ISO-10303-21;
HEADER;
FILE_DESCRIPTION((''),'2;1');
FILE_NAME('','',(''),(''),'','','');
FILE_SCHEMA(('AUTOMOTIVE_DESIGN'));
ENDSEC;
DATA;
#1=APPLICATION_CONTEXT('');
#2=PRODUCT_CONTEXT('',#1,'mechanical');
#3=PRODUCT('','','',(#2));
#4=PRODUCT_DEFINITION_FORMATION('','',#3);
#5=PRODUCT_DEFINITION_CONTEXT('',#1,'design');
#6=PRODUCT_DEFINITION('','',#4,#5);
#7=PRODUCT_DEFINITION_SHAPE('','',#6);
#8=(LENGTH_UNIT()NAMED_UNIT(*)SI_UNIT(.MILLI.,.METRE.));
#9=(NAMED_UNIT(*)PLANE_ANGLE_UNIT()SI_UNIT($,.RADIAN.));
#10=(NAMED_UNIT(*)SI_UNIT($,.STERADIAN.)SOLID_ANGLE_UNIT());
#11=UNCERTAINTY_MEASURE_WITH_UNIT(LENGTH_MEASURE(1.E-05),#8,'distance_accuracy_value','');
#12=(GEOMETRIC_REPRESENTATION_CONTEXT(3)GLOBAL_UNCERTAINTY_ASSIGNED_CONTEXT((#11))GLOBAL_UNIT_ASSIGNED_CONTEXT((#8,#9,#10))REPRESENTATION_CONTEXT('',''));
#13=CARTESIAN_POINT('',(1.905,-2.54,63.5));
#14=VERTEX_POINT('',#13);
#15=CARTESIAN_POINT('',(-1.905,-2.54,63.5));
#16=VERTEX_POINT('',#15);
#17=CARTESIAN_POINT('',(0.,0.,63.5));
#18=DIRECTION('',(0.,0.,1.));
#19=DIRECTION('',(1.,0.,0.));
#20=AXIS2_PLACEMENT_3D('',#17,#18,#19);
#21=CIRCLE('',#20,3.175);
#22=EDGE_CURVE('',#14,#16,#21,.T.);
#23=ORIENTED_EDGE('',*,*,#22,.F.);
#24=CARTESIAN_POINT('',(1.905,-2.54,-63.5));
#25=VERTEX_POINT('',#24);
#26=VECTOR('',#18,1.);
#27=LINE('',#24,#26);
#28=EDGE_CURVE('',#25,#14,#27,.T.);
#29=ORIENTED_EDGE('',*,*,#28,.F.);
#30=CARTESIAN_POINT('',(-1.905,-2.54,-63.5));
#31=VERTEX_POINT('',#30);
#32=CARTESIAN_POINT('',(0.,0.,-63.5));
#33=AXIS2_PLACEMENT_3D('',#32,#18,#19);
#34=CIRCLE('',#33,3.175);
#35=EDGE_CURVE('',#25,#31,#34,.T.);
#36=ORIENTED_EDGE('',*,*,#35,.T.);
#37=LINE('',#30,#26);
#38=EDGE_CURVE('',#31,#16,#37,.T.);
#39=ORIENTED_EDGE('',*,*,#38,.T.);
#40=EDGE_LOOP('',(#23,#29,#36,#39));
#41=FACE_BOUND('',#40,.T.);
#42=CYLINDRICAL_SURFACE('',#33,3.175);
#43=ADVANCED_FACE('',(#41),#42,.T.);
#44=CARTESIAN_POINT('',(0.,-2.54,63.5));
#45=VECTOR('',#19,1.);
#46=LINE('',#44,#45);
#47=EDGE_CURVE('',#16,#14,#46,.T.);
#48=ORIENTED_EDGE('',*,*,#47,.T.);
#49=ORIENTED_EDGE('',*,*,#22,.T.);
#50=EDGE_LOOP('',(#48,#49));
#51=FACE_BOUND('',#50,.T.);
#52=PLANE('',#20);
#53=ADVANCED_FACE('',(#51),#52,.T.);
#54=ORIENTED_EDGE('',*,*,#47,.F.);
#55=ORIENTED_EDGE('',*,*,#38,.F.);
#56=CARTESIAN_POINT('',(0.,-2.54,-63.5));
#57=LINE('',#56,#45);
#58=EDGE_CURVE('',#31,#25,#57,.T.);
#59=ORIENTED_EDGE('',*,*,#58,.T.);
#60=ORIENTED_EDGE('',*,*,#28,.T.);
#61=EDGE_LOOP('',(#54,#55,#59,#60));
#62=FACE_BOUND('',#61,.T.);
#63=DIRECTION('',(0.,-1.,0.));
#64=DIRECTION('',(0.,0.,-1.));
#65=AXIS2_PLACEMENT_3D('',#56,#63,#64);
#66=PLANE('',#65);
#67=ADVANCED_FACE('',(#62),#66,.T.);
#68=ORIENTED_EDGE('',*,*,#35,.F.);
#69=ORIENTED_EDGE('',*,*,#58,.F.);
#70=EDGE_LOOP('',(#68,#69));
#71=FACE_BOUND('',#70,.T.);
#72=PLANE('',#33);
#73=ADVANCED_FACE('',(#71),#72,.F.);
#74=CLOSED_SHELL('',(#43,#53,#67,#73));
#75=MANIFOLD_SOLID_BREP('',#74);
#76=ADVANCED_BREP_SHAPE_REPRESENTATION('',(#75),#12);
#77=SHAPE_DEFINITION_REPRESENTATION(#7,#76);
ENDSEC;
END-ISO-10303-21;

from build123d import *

# Parameters (mm, degrees)
BOSS_EXTRUDE1_DEPTH      = 63.5
BOSS_EXTRUDE1_DEPTH_BACK = 63.5


with BuildPart() as part:
    # Sketch1 → Boss-Extrude1 (new, two sides: drawn at the far end of the back side and taken through both)
    with BuildSketch(Plane.XY.offset(-BOSS_EXTRUDE1_DEPTH_BACK)):
        with BuildLine():
            Line((-1.905, -2.54), (1.905, -2.54))
            ThreePointArc((1.905, -2.54), (0, 3.175), (-1.905, -2.54))
        make_face()
    extrude(amount=BOSS_EXTRUDE1_DEPTH + BOSS_EXTRUDE1_DEPTH_BACK)


solid = part.part
